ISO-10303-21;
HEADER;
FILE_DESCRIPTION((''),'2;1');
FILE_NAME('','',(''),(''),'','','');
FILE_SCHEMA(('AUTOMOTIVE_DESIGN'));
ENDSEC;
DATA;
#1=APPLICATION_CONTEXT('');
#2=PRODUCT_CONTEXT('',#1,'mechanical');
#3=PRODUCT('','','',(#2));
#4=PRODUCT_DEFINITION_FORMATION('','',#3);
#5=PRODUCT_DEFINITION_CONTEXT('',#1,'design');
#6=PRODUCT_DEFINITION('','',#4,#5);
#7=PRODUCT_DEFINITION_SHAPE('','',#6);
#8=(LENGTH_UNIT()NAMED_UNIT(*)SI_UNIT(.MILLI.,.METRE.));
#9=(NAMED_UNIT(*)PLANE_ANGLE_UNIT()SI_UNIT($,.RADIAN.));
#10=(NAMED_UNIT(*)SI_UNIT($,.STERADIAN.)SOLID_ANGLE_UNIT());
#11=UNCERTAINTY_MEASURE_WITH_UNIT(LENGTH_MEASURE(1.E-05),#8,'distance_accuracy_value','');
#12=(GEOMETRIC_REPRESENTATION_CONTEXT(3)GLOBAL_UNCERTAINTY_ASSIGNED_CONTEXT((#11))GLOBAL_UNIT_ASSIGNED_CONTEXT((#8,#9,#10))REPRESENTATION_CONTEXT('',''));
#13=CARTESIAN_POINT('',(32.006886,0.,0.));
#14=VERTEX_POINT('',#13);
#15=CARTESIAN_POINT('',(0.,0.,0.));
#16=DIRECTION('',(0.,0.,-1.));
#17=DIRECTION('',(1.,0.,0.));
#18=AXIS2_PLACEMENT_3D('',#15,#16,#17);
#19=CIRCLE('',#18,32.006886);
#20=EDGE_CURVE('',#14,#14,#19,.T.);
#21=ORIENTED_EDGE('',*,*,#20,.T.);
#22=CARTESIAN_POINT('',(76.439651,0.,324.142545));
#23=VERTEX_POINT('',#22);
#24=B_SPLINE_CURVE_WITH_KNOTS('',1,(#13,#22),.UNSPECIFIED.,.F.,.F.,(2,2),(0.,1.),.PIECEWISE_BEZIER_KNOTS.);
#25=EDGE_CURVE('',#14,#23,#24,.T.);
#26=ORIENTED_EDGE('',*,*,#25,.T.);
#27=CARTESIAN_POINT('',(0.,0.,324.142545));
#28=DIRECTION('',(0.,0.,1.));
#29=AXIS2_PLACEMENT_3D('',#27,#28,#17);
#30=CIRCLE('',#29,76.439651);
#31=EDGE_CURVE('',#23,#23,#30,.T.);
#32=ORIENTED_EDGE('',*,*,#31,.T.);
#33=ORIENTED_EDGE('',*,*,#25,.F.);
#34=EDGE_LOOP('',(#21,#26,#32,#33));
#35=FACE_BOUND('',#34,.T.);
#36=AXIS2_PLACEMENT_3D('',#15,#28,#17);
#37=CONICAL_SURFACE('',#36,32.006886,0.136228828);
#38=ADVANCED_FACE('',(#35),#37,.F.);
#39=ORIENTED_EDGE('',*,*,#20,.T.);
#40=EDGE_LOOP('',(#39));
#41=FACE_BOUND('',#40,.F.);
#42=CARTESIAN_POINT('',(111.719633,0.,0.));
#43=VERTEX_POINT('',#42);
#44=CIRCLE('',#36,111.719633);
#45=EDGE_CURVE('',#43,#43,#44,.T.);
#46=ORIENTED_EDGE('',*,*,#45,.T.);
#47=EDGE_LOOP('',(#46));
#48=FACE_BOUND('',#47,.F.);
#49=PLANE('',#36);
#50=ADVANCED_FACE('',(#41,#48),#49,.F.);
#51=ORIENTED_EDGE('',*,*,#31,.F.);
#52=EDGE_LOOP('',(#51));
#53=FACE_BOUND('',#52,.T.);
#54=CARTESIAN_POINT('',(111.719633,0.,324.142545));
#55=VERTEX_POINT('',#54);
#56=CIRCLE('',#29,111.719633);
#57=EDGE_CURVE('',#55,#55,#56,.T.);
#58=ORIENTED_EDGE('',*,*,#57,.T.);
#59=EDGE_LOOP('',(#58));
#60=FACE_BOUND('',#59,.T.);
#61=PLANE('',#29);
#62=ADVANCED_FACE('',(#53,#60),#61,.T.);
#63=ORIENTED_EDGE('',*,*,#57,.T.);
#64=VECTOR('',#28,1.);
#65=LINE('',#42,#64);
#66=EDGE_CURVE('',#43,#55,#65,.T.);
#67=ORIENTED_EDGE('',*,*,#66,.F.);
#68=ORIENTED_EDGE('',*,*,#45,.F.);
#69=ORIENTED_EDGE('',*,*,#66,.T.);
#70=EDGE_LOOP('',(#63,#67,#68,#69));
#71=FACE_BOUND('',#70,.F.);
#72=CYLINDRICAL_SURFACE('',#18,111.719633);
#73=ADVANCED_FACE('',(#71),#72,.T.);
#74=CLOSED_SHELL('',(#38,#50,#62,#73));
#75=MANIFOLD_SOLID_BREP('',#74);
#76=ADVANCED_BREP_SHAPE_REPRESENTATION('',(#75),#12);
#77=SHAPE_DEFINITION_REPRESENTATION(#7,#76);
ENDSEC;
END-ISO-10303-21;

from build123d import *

# Parameters (mm, degrees)
F0_R     = 111.719633
F1_DEPTH = 324.142545
F3_R     = 32.006886
F2_R     = 76.439651


with BuildPart() as f1:
    # F0 (on Top) → F1 (new body)
    with BuildSketch(Plane.XY):
        Circle(F0_R)
    extrude(amount=F1_DEPTH)

    # F3 (on face) → F4 section 0
    with BuildSketch(Plane(origin=(0, 0, 0), x_dir=(1, 0, 0), z_dir=(0, 0, -1))):
        Circle(F3_R)
    # F2 (on face) → F4 section 1
    with BuildSketch(Plane.XY.offset(324.142545)):
        Circle(F2_R)
    loft(mode=Mode.SUBTRACT)


solid = f1.part
